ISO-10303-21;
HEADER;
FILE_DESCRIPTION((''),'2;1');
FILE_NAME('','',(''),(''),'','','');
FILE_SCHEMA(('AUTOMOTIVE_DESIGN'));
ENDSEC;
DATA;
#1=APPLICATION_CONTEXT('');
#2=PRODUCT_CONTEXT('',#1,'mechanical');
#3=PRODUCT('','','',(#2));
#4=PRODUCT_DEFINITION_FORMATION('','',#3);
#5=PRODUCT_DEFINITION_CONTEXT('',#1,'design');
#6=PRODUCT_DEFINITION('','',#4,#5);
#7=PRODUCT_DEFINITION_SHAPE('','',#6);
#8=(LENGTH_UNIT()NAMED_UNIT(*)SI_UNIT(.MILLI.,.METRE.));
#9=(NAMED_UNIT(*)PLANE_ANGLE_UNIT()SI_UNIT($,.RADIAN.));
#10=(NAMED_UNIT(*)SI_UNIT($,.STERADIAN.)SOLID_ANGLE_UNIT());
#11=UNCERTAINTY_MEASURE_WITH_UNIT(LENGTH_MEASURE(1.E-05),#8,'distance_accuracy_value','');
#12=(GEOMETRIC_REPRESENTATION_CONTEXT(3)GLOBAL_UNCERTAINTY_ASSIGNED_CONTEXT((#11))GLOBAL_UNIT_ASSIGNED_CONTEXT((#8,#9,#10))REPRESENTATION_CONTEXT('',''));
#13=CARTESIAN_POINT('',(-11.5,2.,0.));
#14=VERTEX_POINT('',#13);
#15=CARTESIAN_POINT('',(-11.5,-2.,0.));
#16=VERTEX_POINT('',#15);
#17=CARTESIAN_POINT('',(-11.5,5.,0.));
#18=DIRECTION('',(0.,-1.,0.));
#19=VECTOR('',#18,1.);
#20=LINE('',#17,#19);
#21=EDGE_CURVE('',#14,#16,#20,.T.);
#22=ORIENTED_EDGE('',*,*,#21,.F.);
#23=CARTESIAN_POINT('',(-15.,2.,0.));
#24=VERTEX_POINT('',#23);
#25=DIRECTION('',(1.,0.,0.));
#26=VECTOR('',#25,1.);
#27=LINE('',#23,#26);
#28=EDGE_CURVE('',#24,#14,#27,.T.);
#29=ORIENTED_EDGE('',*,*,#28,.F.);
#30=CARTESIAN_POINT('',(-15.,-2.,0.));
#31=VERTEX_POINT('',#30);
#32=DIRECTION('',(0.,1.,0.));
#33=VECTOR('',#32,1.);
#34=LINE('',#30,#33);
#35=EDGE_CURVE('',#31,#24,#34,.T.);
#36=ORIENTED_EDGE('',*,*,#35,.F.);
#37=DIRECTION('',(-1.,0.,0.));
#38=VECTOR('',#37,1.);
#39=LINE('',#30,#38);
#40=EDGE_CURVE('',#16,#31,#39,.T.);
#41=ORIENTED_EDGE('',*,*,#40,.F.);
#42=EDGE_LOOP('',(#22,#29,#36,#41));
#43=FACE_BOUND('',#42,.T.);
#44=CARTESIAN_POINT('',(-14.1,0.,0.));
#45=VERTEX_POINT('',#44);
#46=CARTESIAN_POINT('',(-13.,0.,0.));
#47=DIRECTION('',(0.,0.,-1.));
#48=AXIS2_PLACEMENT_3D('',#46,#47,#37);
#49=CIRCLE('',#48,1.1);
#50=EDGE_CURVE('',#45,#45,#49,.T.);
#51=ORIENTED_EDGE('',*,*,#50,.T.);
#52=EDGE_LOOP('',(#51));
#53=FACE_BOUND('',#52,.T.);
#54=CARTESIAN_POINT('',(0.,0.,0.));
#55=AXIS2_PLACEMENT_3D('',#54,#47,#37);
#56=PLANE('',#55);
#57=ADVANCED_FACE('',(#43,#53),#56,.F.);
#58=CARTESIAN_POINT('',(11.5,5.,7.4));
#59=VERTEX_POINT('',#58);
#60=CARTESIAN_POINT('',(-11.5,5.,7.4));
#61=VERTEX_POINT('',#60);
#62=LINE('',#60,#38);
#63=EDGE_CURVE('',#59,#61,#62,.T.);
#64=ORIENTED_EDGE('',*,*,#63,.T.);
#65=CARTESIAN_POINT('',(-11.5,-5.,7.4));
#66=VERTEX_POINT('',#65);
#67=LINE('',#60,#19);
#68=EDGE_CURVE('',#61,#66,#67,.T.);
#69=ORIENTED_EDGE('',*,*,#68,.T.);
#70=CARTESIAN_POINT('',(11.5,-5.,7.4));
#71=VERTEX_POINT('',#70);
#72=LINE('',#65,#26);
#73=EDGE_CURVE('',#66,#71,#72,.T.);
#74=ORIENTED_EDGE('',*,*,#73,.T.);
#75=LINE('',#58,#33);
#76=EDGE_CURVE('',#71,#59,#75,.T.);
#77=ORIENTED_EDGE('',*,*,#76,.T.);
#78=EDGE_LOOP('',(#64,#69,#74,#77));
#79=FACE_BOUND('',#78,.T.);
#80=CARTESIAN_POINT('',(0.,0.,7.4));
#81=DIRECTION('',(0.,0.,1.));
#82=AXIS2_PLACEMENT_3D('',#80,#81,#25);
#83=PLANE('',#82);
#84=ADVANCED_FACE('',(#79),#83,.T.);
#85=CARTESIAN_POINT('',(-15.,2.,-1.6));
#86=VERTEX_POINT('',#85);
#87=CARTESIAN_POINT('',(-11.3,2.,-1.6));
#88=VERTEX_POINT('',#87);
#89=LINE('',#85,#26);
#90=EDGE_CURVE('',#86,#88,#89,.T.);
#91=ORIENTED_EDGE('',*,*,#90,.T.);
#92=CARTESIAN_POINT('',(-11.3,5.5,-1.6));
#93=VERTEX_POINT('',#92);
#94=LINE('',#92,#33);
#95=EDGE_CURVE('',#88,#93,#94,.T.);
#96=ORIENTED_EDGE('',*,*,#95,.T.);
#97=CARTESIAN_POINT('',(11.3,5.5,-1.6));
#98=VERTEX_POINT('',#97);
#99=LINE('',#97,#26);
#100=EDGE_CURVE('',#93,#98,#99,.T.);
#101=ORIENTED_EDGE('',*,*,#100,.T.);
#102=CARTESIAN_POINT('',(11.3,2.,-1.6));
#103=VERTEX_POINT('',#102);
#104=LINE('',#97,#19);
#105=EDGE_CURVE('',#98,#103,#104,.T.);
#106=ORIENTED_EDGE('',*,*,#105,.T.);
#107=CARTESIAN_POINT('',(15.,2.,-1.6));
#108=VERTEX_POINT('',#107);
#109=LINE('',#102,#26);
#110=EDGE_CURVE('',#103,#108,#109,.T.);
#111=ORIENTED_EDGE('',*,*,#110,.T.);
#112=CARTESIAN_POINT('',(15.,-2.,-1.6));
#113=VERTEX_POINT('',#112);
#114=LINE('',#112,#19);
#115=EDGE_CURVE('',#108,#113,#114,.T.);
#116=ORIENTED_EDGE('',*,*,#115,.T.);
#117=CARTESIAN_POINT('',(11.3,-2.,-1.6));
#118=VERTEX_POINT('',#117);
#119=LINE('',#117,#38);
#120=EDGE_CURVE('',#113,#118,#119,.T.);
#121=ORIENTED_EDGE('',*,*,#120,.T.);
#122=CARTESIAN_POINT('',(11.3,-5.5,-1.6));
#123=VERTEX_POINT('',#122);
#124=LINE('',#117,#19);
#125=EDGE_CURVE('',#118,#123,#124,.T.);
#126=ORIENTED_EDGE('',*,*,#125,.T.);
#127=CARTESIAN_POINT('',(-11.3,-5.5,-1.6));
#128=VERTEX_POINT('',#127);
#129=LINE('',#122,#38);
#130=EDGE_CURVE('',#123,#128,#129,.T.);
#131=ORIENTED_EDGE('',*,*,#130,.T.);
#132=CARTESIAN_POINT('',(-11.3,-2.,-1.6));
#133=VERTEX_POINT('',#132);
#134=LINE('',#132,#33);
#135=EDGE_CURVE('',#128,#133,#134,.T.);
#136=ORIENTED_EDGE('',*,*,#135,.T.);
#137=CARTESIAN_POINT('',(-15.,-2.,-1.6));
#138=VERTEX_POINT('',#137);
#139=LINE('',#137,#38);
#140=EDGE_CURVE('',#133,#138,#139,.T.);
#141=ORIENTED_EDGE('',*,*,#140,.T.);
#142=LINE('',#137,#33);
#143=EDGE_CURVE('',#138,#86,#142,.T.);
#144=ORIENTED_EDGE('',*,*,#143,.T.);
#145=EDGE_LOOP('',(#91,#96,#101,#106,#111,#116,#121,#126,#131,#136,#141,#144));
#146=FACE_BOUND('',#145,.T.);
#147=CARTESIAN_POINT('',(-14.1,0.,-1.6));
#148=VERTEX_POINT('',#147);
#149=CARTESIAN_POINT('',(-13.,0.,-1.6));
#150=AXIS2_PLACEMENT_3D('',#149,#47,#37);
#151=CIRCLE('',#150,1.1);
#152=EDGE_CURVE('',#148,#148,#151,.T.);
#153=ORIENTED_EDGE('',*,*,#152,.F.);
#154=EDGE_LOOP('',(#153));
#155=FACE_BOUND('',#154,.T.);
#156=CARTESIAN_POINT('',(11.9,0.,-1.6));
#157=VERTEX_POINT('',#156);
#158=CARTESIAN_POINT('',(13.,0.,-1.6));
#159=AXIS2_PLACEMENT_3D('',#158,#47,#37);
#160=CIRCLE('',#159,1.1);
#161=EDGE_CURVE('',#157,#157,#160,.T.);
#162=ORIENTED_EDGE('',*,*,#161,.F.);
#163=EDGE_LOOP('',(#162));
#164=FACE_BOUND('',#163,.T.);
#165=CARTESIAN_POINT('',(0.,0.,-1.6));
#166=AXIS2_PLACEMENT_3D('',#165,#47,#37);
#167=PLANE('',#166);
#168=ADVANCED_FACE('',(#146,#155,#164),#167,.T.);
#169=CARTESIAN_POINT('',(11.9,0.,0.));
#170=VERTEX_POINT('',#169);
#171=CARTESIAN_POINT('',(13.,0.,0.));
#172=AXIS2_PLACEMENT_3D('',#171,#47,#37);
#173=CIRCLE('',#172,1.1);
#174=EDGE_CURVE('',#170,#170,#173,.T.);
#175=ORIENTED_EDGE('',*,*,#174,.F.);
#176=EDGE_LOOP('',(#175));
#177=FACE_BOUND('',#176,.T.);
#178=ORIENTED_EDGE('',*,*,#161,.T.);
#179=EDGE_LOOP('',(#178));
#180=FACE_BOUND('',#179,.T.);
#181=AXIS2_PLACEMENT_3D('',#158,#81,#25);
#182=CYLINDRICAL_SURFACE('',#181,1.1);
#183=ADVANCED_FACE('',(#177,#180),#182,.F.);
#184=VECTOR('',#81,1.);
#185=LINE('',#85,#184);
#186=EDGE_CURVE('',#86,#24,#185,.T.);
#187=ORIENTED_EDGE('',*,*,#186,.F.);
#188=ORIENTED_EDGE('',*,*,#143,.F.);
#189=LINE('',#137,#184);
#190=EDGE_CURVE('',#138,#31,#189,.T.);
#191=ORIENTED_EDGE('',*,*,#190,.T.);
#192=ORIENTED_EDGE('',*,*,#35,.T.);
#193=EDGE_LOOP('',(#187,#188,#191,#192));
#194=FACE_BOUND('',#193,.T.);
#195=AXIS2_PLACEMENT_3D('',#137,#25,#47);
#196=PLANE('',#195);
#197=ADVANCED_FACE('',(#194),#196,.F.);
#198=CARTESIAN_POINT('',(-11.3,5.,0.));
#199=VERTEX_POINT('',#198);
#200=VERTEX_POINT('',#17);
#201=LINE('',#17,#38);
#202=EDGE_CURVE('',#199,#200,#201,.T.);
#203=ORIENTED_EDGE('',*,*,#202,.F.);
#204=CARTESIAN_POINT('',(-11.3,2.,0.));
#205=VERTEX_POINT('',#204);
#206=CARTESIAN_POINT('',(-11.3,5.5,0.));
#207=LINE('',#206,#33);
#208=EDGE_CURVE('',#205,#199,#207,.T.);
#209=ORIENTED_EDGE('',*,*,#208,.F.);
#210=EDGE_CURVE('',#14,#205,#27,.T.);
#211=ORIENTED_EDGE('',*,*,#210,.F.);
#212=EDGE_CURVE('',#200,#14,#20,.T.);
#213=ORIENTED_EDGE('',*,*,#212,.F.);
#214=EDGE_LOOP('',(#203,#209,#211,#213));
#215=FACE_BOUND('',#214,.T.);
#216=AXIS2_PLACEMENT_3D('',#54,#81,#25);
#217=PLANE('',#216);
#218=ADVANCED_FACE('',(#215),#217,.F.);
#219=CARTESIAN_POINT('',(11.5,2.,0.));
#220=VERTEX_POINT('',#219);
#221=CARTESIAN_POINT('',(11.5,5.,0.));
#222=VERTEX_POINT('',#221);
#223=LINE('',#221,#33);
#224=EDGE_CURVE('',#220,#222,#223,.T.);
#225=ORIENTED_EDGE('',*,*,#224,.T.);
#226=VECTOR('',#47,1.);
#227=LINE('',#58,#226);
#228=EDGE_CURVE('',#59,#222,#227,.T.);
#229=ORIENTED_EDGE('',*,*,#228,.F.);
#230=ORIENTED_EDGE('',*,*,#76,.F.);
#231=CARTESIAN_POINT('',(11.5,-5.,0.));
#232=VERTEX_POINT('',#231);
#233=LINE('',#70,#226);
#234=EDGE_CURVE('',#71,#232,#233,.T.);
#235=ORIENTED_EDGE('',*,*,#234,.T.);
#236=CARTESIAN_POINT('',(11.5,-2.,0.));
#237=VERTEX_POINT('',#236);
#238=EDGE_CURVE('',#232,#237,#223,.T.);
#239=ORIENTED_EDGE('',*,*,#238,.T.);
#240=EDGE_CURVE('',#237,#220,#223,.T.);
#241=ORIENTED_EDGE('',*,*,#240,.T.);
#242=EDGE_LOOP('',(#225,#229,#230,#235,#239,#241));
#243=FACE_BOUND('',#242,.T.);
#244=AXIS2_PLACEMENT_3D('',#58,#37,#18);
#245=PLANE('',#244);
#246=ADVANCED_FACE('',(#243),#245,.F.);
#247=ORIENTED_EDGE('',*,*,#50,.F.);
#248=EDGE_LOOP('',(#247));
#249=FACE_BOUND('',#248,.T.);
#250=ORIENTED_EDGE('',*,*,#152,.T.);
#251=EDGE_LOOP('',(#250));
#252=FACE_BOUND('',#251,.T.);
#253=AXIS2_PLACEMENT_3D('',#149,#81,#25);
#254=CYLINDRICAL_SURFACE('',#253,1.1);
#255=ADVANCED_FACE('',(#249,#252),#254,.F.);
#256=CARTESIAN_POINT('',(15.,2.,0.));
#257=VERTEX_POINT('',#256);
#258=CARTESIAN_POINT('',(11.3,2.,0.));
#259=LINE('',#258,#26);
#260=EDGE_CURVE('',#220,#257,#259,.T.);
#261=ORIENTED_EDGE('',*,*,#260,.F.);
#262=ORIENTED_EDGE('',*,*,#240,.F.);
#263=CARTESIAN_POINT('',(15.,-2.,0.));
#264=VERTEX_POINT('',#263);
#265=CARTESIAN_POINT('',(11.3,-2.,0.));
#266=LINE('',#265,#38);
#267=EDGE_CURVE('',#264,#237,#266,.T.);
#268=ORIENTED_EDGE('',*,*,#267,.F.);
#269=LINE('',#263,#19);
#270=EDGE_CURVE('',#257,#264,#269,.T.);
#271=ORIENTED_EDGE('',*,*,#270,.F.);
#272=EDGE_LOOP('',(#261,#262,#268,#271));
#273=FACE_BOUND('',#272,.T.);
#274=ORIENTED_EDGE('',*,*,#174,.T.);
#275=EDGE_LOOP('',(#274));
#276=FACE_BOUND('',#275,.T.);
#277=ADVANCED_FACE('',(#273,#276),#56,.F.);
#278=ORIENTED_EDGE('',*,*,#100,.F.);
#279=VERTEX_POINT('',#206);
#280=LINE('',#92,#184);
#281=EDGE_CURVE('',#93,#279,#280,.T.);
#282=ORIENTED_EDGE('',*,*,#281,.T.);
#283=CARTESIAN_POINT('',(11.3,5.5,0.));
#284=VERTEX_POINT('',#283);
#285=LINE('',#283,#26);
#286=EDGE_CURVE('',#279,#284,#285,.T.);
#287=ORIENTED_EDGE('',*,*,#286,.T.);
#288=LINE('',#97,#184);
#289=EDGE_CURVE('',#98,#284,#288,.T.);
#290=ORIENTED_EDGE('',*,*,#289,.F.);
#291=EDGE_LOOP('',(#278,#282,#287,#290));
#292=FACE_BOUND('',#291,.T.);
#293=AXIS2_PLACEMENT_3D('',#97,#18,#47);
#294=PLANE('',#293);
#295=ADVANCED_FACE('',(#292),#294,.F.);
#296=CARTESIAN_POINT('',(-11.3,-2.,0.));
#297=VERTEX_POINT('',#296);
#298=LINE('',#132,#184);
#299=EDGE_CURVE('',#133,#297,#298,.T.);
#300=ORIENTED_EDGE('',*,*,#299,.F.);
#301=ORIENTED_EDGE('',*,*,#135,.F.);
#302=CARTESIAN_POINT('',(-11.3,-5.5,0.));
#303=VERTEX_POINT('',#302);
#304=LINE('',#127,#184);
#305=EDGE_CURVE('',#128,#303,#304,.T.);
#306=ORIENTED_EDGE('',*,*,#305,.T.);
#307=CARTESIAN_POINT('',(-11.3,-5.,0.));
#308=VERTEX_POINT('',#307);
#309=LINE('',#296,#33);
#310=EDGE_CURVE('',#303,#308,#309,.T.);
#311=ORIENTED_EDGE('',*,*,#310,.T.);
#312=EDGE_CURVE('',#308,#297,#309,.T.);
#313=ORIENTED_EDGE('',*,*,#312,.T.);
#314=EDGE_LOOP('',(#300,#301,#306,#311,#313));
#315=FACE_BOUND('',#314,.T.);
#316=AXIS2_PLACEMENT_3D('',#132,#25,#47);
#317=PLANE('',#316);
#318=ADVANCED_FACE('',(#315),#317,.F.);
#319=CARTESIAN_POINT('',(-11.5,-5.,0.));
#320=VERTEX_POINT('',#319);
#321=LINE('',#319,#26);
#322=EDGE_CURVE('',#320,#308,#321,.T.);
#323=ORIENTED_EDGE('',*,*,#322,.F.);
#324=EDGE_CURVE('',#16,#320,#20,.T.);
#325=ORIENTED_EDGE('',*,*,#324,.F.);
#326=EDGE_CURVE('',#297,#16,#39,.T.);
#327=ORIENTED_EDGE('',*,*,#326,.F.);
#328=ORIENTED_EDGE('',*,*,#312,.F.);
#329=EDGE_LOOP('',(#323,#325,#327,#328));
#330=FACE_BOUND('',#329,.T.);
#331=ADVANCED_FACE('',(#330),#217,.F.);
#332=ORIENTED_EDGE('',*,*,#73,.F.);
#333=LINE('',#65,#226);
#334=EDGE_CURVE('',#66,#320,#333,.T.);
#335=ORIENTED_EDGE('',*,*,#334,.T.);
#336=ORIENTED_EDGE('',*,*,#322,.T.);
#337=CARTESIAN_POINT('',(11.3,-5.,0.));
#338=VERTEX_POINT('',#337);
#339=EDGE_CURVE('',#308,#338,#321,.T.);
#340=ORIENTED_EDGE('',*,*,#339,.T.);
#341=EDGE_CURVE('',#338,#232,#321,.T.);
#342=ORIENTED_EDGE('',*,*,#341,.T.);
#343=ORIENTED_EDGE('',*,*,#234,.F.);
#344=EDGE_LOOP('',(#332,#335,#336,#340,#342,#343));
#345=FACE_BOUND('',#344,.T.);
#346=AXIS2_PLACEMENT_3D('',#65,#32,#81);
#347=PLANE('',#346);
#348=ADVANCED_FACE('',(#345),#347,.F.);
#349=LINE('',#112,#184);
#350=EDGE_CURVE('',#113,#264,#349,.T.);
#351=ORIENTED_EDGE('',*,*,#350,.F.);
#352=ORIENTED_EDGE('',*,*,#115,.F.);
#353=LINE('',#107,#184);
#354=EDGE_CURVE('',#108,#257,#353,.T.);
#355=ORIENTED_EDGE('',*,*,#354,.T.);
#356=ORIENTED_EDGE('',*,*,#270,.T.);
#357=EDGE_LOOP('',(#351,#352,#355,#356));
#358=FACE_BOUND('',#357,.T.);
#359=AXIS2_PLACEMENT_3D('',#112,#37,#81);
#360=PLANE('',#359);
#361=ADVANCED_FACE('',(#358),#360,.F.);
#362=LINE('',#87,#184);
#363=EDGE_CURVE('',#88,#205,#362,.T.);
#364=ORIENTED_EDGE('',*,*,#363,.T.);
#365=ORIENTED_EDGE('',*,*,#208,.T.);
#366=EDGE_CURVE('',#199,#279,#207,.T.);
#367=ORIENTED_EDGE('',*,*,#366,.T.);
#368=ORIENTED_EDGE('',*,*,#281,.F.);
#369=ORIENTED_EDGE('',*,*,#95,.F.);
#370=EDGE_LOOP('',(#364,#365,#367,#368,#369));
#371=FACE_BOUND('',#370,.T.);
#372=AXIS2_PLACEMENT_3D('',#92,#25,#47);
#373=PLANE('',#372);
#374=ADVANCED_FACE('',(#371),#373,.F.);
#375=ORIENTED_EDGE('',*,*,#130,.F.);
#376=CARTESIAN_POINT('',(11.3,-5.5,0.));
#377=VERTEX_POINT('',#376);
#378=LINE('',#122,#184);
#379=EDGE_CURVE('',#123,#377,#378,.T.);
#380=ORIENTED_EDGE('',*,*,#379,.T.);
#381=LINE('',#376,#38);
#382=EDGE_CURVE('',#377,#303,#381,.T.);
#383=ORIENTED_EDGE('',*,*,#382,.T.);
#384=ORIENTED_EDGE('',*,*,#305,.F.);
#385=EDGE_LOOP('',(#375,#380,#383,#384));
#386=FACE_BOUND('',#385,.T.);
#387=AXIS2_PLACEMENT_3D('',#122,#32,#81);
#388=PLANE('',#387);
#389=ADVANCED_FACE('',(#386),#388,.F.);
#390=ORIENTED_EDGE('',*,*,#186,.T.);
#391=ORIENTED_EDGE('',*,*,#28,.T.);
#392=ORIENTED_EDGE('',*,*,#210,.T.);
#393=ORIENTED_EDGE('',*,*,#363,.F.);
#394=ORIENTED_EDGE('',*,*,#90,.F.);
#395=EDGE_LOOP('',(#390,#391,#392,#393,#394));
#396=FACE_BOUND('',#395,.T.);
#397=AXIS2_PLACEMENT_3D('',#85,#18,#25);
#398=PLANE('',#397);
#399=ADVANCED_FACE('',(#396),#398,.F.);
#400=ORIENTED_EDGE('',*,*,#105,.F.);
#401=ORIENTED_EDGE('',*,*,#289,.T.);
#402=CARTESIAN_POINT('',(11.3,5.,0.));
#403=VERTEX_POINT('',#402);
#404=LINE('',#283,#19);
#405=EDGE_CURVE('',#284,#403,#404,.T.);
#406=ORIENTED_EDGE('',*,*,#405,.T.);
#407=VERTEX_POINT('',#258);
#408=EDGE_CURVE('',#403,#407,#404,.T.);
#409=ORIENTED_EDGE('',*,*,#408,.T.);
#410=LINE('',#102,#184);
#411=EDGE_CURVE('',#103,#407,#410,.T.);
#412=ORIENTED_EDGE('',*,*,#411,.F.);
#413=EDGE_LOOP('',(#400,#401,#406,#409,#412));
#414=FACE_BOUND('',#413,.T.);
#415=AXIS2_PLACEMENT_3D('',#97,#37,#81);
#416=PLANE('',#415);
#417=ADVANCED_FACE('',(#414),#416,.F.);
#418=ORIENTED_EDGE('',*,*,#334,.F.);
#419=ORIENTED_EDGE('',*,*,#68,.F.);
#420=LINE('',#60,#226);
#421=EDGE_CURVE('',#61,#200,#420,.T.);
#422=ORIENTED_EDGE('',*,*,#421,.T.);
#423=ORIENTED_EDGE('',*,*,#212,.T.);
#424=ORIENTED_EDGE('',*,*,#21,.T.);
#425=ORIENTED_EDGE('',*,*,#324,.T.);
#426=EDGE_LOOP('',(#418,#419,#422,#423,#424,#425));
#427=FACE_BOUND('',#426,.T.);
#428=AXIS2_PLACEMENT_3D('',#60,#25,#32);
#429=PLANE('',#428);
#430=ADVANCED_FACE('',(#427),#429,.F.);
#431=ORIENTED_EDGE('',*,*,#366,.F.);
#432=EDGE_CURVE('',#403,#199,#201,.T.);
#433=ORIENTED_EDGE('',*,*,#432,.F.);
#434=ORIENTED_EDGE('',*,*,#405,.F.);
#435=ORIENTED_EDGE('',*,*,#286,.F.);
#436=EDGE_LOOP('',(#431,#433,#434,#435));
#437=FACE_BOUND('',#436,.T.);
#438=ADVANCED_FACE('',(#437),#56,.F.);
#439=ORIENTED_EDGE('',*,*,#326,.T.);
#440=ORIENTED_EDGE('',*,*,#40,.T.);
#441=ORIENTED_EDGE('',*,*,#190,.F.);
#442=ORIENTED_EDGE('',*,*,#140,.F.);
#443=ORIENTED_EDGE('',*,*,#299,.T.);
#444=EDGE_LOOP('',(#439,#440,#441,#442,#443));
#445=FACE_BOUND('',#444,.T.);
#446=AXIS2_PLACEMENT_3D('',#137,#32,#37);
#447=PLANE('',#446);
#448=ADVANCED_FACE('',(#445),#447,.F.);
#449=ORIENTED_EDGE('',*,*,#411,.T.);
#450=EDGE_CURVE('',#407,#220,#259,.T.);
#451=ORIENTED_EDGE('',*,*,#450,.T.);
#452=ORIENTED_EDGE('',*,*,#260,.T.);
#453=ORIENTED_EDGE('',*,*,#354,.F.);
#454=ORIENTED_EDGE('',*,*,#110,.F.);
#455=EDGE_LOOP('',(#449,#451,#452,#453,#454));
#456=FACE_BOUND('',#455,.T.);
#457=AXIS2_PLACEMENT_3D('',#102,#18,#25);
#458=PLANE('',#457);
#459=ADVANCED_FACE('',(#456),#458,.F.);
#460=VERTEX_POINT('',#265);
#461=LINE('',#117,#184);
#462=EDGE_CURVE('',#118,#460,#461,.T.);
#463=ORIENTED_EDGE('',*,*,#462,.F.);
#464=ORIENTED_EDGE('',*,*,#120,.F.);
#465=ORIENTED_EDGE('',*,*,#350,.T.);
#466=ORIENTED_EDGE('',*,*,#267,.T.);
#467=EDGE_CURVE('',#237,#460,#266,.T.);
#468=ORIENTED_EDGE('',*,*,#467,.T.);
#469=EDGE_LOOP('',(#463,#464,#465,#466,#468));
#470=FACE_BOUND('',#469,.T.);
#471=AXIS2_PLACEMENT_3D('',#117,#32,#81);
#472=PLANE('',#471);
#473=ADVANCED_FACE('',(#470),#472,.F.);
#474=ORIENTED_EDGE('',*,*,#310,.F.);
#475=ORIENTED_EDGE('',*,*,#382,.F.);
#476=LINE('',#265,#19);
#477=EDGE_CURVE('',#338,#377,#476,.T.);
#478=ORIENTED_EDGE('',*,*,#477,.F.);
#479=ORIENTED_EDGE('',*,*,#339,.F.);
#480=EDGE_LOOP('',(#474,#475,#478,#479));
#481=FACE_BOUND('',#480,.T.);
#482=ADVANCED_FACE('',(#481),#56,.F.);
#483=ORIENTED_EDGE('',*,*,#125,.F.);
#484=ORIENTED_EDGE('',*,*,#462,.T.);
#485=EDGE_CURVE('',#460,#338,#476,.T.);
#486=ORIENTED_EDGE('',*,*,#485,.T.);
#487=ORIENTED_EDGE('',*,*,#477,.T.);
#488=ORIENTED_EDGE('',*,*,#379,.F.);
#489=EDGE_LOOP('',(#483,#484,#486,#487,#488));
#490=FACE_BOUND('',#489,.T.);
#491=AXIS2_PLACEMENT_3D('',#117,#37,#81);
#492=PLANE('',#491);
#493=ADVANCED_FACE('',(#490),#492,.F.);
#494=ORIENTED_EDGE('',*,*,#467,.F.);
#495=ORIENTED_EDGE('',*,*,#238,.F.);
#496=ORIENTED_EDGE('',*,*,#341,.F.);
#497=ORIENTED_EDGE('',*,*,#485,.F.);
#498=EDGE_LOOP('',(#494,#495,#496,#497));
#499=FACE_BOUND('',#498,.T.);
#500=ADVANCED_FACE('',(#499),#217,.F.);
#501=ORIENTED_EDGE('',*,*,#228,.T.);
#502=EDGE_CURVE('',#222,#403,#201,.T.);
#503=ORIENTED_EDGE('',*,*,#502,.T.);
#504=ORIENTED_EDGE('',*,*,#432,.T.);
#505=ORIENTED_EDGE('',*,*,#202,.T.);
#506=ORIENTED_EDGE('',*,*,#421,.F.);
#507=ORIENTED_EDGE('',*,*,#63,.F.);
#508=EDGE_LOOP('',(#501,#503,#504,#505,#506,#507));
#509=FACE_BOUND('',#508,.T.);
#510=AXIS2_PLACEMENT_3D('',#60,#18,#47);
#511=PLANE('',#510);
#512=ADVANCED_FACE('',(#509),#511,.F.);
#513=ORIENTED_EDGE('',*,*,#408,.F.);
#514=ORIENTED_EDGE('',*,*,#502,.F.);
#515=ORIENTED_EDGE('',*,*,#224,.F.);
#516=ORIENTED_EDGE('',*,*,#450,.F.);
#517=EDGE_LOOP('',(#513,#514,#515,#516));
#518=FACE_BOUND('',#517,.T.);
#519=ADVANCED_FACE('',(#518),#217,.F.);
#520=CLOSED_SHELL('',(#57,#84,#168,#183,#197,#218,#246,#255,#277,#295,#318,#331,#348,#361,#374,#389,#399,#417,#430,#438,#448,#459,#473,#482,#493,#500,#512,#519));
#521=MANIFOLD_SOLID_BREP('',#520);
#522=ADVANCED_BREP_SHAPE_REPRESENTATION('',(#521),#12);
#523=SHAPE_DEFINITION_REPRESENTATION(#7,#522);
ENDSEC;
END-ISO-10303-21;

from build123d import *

# Parameters (mm, degrees)
SKETCH_1_W      = 23
SKETCH_1_H      = 10
EXTRUDE_1_DEPTH = 7.4
SKETCH_2_R      = 1.1
EXTRUDE_2_DEPTH = 1.6


with BuildPart() as part:
    # 草图1 → 凸台-拉伸1 (new body)
    with BuildSketch(Plane.XY):
        Rectangle(SKETCH_1_W, SKETCH_1_H)
    extrude(amount=EXTRUDE_1_DEPTH)

    # 草图2 → 凸台-拉伸2 (add)
    with BuildSketch(Plane(origin=(0, 0, 0), x_dir=(-1, 0, 0), z_dir=(0, 0, -1))):
        Polygon((-11.3, -2), (-11.3, -5.5), (11.3, -5.5), (11.3, -2), (15, -2), (15, 2), (11.3, 2), (11.3, 5.5), (-11.3, 5.5), (-11.3, 2), (-15, 2), (-15, -2), align=None)
        with Locations((-13, 0)):
            Circle(SKETCH_2_R, mode=Mode.SUBTRACT)
        with Locations((13, 0)):
            Circle(SKETCH_2_R, mode=Mode.SUBTRACT)
    extrude(amount=EXTRUDE_2_DEPTH)


solid = part.part
